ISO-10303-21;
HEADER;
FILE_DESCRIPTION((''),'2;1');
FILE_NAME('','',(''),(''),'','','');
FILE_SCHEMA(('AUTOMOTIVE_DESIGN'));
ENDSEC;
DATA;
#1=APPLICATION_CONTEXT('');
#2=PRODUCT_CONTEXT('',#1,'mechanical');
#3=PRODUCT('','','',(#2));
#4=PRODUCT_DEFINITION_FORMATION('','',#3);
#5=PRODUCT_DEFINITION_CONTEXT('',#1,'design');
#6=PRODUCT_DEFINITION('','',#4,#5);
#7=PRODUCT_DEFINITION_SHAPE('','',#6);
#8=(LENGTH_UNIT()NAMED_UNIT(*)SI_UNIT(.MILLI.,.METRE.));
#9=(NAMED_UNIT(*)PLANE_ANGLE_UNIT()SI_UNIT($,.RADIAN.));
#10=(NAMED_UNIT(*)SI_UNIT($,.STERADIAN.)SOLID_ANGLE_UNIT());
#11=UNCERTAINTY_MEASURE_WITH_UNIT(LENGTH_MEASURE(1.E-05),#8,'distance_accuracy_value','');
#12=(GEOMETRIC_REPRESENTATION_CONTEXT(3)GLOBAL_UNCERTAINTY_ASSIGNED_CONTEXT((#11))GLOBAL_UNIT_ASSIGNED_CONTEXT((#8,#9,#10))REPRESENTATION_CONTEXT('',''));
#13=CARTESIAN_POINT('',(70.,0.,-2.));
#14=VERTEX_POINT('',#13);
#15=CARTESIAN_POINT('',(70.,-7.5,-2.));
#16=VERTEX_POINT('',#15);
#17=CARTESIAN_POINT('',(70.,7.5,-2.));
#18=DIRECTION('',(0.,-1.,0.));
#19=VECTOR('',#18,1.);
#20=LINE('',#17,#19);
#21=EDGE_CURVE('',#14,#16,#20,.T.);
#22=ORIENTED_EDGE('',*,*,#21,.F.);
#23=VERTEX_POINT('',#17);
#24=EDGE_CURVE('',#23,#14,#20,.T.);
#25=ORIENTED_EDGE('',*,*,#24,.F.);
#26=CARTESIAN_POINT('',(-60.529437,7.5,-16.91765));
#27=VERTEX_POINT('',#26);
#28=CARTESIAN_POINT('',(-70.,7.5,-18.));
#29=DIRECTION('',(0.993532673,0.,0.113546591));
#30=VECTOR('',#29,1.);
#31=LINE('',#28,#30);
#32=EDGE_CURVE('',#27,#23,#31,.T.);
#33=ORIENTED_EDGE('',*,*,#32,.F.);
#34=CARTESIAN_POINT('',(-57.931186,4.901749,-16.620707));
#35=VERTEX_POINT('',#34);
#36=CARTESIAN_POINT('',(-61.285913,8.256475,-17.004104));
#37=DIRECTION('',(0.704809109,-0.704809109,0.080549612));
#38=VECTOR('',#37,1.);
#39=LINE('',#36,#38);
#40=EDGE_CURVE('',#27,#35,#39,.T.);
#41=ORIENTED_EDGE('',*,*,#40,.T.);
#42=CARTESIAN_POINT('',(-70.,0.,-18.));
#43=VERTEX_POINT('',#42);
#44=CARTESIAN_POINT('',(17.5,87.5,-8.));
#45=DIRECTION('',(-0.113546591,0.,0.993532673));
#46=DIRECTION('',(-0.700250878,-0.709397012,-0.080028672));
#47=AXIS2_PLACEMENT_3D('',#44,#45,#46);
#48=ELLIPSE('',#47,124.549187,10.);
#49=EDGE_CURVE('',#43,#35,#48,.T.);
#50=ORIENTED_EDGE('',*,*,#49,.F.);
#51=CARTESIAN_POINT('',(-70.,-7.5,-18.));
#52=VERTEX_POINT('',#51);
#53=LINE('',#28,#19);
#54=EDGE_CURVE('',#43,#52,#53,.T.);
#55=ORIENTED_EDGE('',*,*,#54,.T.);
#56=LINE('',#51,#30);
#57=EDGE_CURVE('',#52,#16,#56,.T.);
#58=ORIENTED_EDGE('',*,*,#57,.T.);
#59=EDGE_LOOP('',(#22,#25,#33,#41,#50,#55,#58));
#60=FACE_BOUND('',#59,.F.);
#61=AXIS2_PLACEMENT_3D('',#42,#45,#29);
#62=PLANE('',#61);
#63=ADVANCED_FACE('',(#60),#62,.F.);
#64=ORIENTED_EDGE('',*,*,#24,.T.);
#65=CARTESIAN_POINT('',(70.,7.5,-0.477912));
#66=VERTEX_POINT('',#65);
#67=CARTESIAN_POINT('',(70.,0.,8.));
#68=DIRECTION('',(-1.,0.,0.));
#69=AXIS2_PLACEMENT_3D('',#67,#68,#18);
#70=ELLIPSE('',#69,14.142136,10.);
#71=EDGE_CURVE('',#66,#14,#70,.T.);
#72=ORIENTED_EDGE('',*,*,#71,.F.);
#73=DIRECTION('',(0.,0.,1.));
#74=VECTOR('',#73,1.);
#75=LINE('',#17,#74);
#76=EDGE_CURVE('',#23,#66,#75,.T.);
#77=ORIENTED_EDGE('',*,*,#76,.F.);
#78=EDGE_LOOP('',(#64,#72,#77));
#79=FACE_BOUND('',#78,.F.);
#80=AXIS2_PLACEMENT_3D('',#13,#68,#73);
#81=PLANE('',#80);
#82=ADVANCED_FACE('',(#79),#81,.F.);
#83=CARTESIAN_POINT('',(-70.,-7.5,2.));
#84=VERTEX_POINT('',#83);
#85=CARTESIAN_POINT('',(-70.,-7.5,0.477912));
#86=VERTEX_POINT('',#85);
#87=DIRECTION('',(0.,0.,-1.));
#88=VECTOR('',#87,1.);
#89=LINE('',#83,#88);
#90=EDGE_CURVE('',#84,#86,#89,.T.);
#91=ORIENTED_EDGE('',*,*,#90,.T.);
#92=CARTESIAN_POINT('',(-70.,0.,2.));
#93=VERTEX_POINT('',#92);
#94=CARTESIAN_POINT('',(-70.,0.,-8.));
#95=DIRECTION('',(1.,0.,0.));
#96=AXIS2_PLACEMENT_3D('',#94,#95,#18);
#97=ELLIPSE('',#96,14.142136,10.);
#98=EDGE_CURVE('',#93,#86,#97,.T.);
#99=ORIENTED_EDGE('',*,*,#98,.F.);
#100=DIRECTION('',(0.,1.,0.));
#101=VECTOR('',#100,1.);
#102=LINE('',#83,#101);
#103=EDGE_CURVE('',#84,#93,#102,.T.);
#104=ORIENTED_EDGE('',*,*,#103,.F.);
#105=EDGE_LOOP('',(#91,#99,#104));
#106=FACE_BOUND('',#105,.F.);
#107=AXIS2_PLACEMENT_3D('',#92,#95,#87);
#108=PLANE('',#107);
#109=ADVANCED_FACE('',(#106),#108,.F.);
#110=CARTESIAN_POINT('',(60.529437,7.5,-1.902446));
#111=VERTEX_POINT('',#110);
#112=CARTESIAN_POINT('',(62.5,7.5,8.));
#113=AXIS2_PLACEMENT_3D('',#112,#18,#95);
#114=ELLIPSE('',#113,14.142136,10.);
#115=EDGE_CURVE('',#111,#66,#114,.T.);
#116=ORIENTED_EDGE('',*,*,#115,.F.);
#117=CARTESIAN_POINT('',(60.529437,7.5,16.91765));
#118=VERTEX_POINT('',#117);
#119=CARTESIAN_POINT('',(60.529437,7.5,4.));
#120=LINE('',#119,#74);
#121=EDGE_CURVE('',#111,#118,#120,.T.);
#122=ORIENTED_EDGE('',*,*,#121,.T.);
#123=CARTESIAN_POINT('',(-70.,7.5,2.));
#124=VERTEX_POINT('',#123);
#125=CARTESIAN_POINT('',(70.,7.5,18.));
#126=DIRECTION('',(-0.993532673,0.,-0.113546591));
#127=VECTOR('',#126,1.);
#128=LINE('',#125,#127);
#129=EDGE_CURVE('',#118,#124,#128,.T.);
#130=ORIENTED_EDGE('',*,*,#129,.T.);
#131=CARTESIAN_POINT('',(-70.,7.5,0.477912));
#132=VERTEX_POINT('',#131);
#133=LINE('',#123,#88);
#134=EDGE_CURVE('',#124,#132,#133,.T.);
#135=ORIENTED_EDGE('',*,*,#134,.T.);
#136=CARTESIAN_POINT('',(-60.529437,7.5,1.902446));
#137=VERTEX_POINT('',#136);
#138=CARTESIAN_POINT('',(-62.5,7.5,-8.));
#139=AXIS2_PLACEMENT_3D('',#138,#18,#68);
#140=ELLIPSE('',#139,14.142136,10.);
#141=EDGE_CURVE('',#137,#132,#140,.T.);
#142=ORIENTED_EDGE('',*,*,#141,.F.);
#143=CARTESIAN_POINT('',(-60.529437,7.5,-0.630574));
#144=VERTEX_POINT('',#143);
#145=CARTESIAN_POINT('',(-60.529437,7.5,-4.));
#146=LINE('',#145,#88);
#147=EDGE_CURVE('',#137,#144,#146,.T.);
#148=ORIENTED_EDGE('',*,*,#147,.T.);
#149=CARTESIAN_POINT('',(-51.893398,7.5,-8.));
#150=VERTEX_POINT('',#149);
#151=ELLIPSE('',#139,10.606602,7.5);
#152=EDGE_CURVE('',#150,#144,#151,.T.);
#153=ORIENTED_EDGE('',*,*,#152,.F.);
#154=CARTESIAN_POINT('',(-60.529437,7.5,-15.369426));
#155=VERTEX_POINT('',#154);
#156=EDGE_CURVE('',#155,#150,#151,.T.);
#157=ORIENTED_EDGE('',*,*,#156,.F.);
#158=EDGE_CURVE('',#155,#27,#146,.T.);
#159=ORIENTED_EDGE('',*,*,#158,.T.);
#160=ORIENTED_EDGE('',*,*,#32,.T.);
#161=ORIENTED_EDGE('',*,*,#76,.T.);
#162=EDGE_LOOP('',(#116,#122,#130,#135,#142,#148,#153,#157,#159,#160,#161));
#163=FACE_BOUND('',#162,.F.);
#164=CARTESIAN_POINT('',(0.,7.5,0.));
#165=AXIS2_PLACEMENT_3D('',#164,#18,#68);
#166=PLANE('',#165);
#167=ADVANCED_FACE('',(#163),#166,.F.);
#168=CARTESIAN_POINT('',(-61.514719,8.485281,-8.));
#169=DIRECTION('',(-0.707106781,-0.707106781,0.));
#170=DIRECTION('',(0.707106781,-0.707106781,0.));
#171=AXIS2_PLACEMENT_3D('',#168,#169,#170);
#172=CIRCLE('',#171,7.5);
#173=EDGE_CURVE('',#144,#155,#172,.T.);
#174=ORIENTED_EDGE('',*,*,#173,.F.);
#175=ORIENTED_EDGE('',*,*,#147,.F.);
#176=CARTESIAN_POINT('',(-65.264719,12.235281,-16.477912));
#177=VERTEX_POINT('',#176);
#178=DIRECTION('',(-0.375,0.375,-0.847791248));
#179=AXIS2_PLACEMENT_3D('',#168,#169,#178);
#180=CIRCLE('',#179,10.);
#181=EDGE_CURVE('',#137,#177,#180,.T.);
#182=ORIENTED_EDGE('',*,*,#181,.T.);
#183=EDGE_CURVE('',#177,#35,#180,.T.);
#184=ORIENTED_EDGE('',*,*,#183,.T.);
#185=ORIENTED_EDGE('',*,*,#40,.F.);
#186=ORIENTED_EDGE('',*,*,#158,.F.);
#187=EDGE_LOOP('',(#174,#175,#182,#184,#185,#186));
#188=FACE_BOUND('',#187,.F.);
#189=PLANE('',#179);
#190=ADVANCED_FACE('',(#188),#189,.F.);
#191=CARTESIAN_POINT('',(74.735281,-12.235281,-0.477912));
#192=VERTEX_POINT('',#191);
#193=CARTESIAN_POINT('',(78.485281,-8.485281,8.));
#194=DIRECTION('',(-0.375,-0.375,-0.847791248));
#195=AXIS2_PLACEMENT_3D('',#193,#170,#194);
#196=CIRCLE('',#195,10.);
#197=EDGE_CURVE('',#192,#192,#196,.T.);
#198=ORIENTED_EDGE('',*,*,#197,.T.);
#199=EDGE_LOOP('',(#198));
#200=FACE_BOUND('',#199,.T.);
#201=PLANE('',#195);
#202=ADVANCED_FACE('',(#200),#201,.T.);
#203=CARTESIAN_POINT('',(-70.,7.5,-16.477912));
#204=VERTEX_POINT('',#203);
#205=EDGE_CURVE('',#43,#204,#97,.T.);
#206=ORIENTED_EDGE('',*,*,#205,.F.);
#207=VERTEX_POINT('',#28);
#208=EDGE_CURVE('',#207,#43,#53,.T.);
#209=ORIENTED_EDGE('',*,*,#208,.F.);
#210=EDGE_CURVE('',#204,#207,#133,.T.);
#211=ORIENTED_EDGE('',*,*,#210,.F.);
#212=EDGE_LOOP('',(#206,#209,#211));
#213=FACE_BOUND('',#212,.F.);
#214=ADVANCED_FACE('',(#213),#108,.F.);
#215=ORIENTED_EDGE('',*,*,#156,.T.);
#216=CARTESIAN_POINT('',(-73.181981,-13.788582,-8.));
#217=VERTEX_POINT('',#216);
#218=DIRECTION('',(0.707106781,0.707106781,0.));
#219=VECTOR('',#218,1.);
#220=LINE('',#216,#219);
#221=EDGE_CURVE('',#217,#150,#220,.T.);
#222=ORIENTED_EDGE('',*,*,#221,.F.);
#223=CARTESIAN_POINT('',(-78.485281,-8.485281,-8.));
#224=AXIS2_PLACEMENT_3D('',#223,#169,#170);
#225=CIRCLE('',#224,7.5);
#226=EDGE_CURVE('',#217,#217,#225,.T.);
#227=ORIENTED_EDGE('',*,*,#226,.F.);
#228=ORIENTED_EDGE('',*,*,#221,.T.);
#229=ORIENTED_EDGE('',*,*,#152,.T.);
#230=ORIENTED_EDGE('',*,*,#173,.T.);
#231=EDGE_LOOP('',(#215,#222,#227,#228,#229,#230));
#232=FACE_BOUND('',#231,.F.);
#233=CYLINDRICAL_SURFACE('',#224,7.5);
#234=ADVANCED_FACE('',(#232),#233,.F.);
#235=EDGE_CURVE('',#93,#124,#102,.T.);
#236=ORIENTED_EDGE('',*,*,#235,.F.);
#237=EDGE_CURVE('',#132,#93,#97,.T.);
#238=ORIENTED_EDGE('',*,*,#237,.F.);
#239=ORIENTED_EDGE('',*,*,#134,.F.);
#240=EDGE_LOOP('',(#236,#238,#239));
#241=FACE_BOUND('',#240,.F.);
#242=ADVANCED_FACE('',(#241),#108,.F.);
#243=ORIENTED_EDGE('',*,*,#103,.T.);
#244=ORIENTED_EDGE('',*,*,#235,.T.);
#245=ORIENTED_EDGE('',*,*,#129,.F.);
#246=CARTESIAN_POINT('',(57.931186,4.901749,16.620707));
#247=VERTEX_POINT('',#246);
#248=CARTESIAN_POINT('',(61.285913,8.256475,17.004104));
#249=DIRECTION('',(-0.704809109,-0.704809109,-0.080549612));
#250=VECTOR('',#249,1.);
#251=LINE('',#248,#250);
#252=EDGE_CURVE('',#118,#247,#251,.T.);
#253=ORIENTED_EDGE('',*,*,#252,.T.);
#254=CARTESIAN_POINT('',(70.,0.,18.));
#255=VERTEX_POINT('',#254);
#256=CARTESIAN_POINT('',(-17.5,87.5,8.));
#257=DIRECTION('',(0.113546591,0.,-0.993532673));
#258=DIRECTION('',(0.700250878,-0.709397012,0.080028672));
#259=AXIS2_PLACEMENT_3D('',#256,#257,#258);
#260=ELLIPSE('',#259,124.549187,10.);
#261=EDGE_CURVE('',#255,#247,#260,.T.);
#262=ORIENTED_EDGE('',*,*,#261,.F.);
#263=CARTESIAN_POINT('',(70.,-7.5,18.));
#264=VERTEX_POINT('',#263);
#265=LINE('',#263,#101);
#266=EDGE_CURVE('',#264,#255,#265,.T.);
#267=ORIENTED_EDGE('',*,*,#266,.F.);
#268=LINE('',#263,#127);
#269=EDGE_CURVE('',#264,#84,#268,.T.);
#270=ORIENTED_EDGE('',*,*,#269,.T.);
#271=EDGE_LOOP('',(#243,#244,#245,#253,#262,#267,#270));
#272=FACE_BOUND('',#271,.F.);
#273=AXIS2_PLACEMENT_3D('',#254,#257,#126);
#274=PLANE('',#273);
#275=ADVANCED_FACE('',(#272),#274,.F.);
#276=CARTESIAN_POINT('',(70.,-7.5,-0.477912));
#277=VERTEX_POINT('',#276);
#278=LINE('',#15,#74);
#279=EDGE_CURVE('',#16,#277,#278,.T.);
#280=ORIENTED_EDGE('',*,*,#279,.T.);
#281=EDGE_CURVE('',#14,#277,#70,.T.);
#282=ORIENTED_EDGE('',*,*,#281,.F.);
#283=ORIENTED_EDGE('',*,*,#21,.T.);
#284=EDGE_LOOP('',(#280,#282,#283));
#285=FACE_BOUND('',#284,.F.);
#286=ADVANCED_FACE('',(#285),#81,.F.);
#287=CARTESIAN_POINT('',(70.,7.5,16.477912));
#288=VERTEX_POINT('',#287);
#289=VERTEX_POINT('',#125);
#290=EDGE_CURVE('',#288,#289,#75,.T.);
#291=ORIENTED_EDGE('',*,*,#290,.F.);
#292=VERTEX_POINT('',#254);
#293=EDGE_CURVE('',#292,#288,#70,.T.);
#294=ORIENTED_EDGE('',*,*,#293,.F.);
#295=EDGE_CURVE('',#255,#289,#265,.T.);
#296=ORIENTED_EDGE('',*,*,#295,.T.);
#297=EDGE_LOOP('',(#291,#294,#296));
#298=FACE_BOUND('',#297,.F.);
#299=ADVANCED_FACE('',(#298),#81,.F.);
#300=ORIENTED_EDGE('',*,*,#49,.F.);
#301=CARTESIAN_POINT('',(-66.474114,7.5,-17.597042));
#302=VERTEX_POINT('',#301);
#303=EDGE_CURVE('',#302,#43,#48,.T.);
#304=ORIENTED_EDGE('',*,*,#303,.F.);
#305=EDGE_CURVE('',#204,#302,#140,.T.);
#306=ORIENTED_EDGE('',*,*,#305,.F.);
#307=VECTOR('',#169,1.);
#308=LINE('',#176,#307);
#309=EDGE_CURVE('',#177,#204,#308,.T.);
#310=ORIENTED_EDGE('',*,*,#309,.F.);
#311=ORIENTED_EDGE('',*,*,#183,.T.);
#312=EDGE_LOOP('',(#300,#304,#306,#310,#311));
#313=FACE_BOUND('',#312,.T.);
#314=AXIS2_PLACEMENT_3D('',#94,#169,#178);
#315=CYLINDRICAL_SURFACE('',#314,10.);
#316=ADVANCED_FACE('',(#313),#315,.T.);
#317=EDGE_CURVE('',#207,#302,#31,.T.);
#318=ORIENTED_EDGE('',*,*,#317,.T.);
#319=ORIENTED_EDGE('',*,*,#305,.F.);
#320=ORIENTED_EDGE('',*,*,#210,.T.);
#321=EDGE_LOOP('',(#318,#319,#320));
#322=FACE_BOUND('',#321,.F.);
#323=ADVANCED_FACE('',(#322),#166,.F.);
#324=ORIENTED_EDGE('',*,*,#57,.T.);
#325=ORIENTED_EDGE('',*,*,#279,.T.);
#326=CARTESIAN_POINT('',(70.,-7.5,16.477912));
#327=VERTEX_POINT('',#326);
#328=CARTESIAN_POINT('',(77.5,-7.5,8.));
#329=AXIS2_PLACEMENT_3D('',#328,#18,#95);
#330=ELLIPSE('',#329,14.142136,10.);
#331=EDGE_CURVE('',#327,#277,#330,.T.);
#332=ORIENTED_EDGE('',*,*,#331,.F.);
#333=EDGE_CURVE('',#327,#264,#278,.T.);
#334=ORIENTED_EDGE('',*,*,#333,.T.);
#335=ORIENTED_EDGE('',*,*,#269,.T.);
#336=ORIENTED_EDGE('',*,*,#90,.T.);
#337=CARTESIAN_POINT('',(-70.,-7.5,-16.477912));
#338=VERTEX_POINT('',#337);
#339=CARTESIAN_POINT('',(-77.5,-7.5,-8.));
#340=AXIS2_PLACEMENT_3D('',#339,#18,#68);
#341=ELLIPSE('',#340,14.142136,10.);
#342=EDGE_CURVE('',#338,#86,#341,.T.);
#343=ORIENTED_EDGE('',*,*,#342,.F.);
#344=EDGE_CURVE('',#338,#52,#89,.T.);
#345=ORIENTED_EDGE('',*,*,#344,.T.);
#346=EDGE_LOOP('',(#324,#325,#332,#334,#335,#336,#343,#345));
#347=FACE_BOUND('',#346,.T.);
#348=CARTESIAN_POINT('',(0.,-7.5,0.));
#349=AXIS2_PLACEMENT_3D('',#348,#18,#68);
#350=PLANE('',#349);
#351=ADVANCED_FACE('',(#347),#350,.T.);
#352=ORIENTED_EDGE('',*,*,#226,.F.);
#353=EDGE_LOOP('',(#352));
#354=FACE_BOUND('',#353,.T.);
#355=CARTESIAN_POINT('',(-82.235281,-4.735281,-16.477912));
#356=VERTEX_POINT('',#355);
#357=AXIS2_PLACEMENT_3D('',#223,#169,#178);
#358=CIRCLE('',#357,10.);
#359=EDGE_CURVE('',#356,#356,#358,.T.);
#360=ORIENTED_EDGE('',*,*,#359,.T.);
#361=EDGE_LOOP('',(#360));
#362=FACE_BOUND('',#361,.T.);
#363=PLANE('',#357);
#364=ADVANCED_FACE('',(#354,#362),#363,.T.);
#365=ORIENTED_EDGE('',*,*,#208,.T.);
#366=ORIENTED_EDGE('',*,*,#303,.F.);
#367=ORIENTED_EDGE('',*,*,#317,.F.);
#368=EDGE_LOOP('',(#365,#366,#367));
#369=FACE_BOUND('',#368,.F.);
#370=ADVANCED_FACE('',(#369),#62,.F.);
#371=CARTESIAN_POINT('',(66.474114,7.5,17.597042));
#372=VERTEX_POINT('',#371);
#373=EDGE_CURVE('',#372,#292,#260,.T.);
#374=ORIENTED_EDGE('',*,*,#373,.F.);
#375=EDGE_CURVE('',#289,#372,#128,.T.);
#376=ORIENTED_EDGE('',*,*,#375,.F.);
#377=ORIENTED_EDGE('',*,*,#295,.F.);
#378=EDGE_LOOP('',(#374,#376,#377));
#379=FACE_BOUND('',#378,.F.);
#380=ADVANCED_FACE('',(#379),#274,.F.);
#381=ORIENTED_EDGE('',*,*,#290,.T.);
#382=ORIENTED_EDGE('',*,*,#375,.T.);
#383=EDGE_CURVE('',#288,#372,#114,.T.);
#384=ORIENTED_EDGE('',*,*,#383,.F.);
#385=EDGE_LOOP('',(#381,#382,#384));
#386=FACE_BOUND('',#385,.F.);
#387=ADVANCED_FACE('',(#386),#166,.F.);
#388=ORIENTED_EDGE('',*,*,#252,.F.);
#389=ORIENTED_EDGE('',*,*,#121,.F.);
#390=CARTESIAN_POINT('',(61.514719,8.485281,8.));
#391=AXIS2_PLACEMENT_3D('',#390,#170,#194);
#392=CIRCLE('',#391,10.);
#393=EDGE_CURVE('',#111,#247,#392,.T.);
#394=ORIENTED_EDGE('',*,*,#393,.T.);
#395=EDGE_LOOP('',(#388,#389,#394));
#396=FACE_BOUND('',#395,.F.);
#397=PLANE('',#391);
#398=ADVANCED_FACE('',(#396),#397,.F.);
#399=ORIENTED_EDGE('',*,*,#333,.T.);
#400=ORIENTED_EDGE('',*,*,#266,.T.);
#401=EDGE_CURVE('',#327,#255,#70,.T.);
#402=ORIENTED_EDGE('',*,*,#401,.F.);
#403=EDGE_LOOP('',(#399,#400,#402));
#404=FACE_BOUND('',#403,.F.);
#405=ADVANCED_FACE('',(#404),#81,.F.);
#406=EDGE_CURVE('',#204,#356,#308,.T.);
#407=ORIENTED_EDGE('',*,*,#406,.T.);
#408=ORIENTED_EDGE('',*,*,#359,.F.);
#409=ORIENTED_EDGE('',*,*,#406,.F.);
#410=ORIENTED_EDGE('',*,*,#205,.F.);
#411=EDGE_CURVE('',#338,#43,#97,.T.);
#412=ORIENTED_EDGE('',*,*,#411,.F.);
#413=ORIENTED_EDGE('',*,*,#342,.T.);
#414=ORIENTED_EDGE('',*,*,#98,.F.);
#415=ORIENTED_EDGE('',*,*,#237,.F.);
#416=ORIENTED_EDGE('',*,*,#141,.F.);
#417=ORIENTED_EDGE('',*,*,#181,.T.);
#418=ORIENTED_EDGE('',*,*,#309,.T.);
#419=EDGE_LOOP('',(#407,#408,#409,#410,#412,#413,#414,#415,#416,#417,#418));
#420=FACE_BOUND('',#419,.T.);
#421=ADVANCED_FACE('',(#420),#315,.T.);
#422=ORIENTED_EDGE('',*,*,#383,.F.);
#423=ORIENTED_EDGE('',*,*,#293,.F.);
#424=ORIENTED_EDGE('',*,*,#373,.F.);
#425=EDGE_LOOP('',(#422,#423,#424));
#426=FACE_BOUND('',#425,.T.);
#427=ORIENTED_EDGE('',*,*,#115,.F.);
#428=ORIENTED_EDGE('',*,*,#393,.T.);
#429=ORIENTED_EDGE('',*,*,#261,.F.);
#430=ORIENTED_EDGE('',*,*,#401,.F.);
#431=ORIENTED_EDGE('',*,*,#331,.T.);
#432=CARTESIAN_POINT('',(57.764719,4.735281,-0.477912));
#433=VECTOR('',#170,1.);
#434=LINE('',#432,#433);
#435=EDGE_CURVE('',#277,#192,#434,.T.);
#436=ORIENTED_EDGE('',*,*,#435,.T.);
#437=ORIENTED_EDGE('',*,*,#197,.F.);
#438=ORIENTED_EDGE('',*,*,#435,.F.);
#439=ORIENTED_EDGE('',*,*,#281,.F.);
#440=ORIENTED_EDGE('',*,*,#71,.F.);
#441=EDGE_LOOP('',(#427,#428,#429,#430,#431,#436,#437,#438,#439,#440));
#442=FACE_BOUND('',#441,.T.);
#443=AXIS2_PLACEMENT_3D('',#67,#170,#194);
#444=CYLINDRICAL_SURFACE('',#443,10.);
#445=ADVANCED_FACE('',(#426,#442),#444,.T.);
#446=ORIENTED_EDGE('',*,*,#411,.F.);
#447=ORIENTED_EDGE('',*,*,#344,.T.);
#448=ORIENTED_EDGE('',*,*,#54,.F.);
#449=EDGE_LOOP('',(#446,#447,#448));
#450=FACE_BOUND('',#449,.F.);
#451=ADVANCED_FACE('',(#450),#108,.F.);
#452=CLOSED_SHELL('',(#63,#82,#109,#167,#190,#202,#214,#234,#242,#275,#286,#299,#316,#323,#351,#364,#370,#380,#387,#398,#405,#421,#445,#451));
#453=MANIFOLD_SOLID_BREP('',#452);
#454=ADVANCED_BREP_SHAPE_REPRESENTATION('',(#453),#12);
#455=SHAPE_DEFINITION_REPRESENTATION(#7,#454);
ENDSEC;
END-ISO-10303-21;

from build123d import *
from build123d.topology import SkipClean

# Parameters (mm, degrees)
BOSS_EXTRUDE1_DEPTH     = 7.5
SKETCH2_R               = 10
BOSS_EXTRUDE2_DEPTH     = 12
SKETCH3_R               = 10
BOSS_EXTRUDE3_DEPTH     = 12
SKETCH4_R               = 7.5
CUT_EXTRUDE1_DEPTH      = 144.04424685
CUT_EXTRUDE1_DEPTH_BACK = 144.04424685


with BuildPart() as part:
    # Sketch1 → Boss-Extrude1 (new, symmetric)
    with BuildSketch(Plane(origin=(0, 0, 0), x_dir=(1, 0, 0), z_dir=(0, 1, 0))):
        Polygon((-70, -2), (-70, 18), (70, 2), (70, -18), align=None)
    extrude(amount=BOSS_EXTRUDE1_DEPTH, both=True)

    # Sketch2 → Boss-Extrude2 (add, symmetric)
    with SkipClean():  # the faces are left unmerged after this step: merging them gives an invalid solid
        with BuildSketch(Plane(origin=(-35, -35, 0), x_dir=(0, 0, 1), z_dir=(-0.7071067811865464, -0.7071067811865488, 0))):
            with Locations(Location((-8, 49.497474683, 0), (0, 0, 147.972239886))):
                Circle(SKETCH2_R)
        extrude(amount=BOSS_EXTRUDE2_DEPTH, both=True)

    # Sketch3 → Boss-Extrude3 (add, symmetric)
    with SkipClean():  # the faces are left unmerged after this step: merging them gives an invalid solid
        with BuildSketch(Plane(origin=(35, -35, 0), x_dir=(0, 0, 1), z_dir=(0.7071067811865512, -0.7071067811865439, 0))):
            with Locations(Location((8, -49.497474683, 0), (0, 0, 147.972239886))):
                Circle(SKETCH3_R)
        extrude(amount=BOSS_EXTRUDE3_DEPTH, both=True)

    # Sketch4 → Cut-Extrude1 (cut, two sides)
    with SkipClean():  # the faces are left unmerged after this step: merging them gives an invalid solid
        with BuildSketch(Plane(origin=(-43.485281374, -43.485281374, 0), x_dir=(0, 0, 1), z_dir=(-0.7071067811865465, -0.7071067811865487, 0))) as cut_extrude1_sk:
            with Locations(Location((-8, 49.497474683, 0), (0, 0, 270))):
                Circle(SKETCH4_R)
        extrude(amount=CUT_EXTRUDE1_DEPTH, mode=Mode.SUBTRACT)
        extrude(cut_extrude1_sk.sketch, amount=-CUT_EXTRUDE1_DEPTH_BACK, mode=Mode.SUBTRACT)


solid = part.part
